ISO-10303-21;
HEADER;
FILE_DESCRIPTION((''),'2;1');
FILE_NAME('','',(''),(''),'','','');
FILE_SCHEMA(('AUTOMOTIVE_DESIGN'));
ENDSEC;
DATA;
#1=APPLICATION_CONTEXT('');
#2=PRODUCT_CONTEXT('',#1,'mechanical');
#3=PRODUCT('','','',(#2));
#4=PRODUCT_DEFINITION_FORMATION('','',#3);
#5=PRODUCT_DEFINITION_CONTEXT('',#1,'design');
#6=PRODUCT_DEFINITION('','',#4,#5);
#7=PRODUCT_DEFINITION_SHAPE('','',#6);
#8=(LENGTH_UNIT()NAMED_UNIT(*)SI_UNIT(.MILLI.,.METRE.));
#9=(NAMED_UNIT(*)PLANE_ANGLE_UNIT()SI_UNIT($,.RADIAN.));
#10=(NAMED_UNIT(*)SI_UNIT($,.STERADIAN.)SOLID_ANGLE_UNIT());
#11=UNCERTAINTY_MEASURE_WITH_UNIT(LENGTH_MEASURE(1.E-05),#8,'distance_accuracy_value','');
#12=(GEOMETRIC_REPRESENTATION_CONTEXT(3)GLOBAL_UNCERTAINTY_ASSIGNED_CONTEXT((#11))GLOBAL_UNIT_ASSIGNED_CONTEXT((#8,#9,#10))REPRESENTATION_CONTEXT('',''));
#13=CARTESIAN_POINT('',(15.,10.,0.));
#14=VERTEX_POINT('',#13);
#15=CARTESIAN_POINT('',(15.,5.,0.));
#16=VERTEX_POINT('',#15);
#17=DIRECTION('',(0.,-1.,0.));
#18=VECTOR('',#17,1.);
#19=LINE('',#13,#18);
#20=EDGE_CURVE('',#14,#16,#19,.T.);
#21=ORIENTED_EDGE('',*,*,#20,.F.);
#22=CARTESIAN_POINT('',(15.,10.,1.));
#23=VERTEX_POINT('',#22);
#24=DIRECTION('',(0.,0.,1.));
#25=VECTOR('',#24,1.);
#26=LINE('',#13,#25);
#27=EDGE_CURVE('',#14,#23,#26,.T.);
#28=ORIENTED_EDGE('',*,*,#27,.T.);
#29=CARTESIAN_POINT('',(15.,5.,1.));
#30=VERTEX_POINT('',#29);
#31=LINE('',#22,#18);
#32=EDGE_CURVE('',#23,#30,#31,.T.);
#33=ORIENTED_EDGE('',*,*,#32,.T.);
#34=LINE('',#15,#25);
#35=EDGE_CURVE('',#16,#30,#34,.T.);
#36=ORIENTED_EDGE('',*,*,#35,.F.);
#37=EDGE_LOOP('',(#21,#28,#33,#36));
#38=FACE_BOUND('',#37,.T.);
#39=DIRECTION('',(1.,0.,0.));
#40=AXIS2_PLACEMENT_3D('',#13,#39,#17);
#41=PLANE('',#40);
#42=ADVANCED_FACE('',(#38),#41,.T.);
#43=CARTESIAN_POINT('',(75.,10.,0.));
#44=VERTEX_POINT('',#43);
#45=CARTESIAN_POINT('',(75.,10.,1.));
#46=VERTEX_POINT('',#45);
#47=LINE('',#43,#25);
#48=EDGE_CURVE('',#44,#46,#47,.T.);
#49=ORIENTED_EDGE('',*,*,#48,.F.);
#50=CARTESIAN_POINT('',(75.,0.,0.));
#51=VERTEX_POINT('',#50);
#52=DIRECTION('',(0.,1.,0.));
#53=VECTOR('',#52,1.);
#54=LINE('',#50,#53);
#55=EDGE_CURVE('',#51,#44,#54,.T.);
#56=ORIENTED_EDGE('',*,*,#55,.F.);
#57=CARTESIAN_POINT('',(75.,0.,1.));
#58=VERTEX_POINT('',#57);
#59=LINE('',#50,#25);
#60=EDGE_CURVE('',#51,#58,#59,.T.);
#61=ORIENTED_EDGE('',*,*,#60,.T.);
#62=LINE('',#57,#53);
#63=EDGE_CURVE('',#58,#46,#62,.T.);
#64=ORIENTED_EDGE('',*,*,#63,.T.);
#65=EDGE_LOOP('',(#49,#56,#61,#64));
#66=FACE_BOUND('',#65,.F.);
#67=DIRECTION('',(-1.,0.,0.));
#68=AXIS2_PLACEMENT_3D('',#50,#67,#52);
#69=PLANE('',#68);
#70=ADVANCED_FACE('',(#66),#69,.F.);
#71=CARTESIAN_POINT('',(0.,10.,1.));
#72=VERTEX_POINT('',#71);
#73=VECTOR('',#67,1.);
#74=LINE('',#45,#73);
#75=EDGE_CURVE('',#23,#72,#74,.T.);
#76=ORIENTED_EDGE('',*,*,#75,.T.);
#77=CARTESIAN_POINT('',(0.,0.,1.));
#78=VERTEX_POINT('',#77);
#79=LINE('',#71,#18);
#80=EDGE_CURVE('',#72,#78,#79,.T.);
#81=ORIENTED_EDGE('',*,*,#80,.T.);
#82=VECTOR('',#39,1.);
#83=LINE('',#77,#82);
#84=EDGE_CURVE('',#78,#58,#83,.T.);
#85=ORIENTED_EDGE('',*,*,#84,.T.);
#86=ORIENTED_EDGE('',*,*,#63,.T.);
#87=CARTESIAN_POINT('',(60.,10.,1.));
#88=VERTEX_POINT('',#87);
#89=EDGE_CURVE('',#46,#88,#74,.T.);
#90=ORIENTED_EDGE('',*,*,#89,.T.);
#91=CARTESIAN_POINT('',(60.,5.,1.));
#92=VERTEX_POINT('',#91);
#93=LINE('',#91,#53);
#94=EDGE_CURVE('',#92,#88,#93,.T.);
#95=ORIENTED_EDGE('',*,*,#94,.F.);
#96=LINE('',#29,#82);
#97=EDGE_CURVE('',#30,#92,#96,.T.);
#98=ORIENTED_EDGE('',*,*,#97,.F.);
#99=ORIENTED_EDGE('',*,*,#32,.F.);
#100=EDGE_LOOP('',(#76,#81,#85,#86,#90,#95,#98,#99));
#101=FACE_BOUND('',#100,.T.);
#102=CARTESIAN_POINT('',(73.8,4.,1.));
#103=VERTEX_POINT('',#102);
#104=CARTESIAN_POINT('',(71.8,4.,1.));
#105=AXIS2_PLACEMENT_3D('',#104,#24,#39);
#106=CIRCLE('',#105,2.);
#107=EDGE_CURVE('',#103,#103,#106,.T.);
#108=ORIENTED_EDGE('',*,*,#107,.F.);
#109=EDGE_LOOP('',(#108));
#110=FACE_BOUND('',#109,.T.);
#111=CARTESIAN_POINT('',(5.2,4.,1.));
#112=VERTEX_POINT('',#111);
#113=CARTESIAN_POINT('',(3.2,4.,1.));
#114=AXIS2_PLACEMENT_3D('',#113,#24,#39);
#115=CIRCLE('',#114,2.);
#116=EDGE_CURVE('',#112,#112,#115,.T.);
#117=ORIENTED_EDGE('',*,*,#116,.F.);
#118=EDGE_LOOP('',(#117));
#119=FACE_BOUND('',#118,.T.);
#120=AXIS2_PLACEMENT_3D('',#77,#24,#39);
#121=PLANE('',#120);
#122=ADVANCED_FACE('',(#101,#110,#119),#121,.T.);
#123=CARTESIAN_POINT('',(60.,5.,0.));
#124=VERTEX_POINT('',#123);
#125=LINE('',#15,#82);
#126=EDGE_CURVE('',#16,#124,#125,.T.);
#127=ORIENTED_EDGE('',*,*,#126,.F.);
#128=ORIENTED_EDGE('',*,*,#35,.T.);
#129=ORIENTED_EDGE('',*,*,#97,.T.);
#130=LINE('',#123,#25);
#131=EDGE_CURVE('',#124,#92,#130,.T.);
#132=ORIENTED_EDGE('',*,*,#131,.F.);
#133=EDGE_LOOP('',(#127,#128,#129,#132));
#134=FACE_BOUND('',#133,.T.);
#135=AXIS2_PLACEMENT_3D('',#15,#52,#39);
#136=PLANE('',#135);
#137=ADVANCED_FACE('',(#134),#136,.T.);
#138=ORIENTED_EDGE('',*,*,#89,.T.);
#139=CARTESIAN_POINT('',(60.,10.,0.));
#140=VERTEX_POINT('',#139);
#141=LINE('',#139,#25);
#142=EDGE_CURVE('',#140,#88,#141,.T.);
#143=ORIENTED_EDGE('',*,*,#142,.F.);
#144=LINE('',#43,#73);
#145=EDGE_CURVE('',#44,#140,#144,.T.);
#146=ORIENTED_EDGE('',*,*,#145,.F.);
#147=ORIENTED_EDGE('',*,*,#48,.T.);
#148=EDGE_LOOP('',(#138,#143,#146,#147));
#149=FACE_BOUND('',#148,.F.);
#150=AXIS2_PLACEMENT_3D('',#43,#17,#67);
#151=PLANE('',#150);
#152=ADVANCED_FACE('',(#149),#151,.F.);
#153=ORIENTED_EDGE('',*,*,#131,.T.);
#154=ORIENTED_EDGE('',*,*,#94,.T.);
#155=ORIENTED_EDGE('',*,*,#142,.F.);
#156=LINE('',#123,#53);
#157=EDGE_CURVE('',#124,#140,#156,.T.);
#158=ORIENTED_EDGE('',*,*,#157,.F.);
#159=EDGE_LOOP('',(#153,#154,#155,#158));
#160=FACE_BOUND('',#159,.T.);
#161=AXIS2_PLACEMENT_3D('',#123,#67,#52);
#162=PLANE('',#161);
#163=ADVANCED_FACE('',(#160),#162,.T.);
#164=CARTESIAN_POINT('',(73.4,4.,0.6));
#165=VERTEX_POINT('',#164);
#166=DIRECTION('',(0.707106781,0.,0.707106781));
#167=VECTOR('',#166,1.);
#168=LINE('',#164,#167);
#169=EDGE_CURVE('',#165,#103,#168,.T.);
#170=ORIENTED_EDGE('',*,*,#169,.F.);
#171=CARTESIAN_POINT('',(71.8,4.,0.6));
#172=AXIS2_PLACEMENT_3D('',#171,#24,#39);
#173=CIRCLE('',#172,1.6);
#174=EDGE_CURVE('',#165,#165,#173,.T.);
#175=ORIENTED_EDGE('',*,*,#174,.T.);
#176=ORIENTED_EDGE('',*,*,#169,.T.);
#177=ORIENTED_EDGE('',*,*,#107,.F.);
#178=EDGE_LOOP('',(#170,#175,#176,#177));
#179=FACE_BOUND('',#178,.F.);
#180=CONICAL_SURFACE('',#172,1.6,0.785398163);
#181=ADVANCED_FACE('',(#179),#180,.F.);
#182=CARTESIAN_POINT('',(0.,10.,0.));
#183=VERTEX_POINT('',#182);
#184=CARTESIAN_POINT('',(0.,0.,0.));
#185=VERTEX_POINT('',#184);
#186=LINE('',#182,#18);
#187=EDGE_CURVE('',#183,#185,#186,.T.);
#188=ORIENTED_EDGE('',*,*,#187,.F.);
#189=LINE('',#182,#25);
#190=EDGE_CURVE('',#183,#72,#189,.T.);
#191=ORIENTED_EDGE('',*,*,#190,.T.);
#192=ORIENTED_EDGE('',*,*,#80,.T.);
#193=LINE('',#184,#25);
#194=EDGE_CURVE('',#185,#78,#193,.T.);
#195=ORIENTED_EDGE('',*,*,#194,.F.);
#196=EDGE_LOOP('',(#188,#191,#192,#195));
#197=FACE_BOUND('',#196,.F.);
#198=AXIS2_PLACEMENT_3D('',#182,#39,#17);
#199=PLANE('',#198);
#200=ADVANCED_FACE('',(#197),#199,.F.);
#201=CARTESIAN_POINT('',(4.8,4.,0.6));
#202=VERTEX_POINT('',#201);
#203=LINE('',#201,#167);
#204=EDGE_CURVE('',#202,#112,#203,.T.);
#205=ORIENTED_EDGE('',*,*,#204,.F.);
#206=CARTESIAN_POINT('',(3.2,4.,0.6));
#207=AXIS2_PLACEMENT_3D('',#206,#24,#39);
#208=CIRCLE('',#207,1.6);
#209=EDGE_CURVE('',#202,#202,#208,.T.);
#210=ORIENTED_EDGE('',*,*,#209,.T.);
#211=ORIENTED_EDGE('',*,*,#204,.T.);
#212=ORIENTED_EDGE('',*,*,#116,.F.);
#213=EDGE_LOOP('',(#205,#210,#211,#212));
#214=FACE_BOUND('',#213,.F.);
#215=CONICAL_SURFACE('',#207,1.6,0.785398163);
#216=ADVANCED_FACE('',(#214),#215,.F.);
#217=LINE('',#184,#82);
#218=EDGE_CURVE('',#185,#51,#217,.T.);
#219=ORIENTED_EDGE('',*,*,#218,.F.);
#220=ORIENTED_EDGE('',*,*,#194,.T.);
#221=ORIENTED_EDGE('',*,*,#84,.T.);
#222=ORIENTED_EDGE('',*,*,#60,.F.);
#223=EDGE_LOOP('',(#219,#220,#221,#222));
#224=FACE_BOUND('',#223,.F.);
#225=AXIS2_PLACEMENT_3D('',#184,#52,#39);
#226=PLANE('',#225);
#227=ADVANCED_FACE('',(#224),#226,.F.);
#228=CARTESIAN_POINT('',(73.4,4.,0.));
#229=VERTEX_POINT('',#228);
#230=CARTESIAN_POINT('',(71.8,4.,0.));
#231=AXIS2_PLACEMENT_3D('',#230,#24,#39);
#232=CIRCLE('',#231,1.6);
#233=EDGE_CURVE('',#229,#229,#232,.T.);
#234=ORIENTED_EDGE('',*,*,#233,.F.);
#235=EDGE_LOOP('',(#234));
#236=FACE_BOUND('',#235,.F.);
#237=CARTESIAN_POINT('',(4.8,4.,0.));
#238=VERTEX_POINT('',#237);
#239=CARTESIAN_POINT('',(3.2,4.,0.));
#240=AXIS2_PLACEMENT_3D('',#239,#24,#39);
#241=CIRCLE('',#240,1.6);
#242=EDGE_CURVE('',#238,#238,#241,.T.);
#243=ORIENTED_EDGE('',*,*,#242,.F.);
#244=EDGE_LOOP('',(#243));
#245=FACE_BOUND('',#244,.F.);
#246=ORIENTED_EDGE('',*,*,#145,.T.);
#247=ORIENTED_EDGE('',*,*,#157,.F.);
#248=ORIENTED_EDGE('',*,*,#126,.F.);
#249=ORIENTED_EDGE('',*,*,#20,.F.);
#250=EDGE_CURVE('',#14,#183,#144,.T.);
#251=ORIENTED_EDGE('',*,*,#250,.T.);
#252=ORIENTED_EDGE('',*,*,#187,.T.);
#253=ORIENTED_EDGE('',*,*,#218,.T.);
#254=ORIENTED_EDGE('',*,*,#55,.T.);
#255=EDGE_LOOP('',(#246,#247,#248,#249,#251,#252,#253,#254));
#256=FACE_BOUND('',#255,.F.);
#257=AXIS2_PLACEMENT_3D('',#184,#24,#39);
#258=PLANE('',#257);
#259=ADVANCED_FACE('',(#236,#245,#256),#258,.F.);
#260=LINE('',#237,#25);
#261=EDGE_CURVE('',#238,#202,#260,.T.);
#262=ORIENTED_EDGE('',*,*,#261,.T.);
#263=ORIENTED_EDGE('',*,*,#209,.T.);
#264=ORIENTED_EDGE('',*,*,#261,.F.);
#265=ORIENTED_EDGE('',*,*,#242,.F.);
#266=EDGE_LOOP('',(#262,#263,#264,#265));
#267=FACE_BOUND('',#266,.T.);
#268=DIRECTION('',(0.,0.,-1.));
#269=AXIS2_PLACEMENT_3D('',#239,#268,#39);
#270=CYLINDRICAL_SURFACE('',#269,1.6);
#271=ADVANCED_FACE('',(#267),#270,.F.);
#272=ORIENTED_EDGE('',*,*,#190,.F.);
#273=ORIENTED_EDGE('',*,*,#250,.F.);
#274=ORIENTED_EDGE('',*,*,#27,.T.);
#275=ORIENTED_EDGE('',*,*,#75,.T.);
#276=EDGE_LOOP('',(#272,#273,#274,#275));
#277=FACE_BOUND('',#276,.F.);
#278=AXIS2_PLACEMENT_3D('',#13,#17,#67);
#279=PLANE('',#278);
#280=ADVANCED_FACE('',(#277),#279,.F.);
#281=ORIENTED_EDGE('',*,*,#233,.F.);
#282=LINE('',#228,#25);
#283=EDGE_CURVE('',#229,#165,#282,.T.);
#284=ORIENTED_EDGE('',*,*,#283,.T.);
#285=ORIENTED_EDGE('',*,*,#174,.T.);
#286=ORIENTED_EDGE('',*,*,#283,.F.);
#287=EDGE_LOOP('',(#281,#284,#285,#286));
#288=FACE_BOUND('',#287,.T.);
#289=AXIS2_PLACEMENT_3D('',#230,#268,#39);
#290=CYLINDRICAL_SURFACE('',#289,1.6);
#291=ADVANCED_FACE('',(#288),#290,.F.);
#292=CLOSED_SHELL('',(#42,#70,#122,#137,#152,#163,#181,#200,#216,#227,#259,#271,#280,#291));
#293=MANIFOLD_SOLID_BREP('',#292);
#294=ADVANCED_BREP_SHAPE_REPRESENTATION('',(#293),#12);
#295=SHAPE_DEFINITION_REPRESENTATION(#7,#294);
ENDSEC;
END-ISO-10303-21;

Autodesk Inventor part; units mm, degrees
ref_plane "YZ Plane" through (0, 0, 0) normal (1, 0, 0) x (0, 1, 0)
ref_plane "XZ Plane" through (0, 0, 0) normal (0, 1, 0) x (-1, 0, 0)
ref_plane "XY Plane" through (0, 0, 0) normal (0, 0, 1) x (1, 0, 0)
sketch "Sketch1" plane through (0, 0, 0) normal (0, 0, 1) x (1, 0, 0)
  line L0 (0, 0) -> (75, 0)
  line L1 (75, 0) -> (75, 10)
  line L2 (75, 10) -> (0, 10)
  line L3 (0, 10) -> (0, 0)
  line L4 (15, 10) -> (15, 5)
  line L5 (15, 5) -> (60, 5)
  line L6 (60, 5) -> (60, 10)
  circle A0 centre (3.2, 4) radius 1.6
  line L7 (37.5, 10) -> (37.5, 6.6559) construction
  circle A1 centre (71.8, 4) radius 1.6
  point P0 (0, 5)
  dimension "d0" = 75
  dimension "d1" = 10
  dimension "d3" = 5
  dimension "d4" = 45
  dimension "d5" = 3.2
  dimension "d7" = 4
  dimension "d10" = 3.2
extrude "Extrusion1" add sketch "Sketch1" along normal blind 1 contours L3 L2 L4 L5 L6 L1 L0
chamfer "Chamfer1" distance 0.4 angle 45 2 edges at (1.6, 4, 1) (70.2, 4, 1)
properties part number "oslonka"
